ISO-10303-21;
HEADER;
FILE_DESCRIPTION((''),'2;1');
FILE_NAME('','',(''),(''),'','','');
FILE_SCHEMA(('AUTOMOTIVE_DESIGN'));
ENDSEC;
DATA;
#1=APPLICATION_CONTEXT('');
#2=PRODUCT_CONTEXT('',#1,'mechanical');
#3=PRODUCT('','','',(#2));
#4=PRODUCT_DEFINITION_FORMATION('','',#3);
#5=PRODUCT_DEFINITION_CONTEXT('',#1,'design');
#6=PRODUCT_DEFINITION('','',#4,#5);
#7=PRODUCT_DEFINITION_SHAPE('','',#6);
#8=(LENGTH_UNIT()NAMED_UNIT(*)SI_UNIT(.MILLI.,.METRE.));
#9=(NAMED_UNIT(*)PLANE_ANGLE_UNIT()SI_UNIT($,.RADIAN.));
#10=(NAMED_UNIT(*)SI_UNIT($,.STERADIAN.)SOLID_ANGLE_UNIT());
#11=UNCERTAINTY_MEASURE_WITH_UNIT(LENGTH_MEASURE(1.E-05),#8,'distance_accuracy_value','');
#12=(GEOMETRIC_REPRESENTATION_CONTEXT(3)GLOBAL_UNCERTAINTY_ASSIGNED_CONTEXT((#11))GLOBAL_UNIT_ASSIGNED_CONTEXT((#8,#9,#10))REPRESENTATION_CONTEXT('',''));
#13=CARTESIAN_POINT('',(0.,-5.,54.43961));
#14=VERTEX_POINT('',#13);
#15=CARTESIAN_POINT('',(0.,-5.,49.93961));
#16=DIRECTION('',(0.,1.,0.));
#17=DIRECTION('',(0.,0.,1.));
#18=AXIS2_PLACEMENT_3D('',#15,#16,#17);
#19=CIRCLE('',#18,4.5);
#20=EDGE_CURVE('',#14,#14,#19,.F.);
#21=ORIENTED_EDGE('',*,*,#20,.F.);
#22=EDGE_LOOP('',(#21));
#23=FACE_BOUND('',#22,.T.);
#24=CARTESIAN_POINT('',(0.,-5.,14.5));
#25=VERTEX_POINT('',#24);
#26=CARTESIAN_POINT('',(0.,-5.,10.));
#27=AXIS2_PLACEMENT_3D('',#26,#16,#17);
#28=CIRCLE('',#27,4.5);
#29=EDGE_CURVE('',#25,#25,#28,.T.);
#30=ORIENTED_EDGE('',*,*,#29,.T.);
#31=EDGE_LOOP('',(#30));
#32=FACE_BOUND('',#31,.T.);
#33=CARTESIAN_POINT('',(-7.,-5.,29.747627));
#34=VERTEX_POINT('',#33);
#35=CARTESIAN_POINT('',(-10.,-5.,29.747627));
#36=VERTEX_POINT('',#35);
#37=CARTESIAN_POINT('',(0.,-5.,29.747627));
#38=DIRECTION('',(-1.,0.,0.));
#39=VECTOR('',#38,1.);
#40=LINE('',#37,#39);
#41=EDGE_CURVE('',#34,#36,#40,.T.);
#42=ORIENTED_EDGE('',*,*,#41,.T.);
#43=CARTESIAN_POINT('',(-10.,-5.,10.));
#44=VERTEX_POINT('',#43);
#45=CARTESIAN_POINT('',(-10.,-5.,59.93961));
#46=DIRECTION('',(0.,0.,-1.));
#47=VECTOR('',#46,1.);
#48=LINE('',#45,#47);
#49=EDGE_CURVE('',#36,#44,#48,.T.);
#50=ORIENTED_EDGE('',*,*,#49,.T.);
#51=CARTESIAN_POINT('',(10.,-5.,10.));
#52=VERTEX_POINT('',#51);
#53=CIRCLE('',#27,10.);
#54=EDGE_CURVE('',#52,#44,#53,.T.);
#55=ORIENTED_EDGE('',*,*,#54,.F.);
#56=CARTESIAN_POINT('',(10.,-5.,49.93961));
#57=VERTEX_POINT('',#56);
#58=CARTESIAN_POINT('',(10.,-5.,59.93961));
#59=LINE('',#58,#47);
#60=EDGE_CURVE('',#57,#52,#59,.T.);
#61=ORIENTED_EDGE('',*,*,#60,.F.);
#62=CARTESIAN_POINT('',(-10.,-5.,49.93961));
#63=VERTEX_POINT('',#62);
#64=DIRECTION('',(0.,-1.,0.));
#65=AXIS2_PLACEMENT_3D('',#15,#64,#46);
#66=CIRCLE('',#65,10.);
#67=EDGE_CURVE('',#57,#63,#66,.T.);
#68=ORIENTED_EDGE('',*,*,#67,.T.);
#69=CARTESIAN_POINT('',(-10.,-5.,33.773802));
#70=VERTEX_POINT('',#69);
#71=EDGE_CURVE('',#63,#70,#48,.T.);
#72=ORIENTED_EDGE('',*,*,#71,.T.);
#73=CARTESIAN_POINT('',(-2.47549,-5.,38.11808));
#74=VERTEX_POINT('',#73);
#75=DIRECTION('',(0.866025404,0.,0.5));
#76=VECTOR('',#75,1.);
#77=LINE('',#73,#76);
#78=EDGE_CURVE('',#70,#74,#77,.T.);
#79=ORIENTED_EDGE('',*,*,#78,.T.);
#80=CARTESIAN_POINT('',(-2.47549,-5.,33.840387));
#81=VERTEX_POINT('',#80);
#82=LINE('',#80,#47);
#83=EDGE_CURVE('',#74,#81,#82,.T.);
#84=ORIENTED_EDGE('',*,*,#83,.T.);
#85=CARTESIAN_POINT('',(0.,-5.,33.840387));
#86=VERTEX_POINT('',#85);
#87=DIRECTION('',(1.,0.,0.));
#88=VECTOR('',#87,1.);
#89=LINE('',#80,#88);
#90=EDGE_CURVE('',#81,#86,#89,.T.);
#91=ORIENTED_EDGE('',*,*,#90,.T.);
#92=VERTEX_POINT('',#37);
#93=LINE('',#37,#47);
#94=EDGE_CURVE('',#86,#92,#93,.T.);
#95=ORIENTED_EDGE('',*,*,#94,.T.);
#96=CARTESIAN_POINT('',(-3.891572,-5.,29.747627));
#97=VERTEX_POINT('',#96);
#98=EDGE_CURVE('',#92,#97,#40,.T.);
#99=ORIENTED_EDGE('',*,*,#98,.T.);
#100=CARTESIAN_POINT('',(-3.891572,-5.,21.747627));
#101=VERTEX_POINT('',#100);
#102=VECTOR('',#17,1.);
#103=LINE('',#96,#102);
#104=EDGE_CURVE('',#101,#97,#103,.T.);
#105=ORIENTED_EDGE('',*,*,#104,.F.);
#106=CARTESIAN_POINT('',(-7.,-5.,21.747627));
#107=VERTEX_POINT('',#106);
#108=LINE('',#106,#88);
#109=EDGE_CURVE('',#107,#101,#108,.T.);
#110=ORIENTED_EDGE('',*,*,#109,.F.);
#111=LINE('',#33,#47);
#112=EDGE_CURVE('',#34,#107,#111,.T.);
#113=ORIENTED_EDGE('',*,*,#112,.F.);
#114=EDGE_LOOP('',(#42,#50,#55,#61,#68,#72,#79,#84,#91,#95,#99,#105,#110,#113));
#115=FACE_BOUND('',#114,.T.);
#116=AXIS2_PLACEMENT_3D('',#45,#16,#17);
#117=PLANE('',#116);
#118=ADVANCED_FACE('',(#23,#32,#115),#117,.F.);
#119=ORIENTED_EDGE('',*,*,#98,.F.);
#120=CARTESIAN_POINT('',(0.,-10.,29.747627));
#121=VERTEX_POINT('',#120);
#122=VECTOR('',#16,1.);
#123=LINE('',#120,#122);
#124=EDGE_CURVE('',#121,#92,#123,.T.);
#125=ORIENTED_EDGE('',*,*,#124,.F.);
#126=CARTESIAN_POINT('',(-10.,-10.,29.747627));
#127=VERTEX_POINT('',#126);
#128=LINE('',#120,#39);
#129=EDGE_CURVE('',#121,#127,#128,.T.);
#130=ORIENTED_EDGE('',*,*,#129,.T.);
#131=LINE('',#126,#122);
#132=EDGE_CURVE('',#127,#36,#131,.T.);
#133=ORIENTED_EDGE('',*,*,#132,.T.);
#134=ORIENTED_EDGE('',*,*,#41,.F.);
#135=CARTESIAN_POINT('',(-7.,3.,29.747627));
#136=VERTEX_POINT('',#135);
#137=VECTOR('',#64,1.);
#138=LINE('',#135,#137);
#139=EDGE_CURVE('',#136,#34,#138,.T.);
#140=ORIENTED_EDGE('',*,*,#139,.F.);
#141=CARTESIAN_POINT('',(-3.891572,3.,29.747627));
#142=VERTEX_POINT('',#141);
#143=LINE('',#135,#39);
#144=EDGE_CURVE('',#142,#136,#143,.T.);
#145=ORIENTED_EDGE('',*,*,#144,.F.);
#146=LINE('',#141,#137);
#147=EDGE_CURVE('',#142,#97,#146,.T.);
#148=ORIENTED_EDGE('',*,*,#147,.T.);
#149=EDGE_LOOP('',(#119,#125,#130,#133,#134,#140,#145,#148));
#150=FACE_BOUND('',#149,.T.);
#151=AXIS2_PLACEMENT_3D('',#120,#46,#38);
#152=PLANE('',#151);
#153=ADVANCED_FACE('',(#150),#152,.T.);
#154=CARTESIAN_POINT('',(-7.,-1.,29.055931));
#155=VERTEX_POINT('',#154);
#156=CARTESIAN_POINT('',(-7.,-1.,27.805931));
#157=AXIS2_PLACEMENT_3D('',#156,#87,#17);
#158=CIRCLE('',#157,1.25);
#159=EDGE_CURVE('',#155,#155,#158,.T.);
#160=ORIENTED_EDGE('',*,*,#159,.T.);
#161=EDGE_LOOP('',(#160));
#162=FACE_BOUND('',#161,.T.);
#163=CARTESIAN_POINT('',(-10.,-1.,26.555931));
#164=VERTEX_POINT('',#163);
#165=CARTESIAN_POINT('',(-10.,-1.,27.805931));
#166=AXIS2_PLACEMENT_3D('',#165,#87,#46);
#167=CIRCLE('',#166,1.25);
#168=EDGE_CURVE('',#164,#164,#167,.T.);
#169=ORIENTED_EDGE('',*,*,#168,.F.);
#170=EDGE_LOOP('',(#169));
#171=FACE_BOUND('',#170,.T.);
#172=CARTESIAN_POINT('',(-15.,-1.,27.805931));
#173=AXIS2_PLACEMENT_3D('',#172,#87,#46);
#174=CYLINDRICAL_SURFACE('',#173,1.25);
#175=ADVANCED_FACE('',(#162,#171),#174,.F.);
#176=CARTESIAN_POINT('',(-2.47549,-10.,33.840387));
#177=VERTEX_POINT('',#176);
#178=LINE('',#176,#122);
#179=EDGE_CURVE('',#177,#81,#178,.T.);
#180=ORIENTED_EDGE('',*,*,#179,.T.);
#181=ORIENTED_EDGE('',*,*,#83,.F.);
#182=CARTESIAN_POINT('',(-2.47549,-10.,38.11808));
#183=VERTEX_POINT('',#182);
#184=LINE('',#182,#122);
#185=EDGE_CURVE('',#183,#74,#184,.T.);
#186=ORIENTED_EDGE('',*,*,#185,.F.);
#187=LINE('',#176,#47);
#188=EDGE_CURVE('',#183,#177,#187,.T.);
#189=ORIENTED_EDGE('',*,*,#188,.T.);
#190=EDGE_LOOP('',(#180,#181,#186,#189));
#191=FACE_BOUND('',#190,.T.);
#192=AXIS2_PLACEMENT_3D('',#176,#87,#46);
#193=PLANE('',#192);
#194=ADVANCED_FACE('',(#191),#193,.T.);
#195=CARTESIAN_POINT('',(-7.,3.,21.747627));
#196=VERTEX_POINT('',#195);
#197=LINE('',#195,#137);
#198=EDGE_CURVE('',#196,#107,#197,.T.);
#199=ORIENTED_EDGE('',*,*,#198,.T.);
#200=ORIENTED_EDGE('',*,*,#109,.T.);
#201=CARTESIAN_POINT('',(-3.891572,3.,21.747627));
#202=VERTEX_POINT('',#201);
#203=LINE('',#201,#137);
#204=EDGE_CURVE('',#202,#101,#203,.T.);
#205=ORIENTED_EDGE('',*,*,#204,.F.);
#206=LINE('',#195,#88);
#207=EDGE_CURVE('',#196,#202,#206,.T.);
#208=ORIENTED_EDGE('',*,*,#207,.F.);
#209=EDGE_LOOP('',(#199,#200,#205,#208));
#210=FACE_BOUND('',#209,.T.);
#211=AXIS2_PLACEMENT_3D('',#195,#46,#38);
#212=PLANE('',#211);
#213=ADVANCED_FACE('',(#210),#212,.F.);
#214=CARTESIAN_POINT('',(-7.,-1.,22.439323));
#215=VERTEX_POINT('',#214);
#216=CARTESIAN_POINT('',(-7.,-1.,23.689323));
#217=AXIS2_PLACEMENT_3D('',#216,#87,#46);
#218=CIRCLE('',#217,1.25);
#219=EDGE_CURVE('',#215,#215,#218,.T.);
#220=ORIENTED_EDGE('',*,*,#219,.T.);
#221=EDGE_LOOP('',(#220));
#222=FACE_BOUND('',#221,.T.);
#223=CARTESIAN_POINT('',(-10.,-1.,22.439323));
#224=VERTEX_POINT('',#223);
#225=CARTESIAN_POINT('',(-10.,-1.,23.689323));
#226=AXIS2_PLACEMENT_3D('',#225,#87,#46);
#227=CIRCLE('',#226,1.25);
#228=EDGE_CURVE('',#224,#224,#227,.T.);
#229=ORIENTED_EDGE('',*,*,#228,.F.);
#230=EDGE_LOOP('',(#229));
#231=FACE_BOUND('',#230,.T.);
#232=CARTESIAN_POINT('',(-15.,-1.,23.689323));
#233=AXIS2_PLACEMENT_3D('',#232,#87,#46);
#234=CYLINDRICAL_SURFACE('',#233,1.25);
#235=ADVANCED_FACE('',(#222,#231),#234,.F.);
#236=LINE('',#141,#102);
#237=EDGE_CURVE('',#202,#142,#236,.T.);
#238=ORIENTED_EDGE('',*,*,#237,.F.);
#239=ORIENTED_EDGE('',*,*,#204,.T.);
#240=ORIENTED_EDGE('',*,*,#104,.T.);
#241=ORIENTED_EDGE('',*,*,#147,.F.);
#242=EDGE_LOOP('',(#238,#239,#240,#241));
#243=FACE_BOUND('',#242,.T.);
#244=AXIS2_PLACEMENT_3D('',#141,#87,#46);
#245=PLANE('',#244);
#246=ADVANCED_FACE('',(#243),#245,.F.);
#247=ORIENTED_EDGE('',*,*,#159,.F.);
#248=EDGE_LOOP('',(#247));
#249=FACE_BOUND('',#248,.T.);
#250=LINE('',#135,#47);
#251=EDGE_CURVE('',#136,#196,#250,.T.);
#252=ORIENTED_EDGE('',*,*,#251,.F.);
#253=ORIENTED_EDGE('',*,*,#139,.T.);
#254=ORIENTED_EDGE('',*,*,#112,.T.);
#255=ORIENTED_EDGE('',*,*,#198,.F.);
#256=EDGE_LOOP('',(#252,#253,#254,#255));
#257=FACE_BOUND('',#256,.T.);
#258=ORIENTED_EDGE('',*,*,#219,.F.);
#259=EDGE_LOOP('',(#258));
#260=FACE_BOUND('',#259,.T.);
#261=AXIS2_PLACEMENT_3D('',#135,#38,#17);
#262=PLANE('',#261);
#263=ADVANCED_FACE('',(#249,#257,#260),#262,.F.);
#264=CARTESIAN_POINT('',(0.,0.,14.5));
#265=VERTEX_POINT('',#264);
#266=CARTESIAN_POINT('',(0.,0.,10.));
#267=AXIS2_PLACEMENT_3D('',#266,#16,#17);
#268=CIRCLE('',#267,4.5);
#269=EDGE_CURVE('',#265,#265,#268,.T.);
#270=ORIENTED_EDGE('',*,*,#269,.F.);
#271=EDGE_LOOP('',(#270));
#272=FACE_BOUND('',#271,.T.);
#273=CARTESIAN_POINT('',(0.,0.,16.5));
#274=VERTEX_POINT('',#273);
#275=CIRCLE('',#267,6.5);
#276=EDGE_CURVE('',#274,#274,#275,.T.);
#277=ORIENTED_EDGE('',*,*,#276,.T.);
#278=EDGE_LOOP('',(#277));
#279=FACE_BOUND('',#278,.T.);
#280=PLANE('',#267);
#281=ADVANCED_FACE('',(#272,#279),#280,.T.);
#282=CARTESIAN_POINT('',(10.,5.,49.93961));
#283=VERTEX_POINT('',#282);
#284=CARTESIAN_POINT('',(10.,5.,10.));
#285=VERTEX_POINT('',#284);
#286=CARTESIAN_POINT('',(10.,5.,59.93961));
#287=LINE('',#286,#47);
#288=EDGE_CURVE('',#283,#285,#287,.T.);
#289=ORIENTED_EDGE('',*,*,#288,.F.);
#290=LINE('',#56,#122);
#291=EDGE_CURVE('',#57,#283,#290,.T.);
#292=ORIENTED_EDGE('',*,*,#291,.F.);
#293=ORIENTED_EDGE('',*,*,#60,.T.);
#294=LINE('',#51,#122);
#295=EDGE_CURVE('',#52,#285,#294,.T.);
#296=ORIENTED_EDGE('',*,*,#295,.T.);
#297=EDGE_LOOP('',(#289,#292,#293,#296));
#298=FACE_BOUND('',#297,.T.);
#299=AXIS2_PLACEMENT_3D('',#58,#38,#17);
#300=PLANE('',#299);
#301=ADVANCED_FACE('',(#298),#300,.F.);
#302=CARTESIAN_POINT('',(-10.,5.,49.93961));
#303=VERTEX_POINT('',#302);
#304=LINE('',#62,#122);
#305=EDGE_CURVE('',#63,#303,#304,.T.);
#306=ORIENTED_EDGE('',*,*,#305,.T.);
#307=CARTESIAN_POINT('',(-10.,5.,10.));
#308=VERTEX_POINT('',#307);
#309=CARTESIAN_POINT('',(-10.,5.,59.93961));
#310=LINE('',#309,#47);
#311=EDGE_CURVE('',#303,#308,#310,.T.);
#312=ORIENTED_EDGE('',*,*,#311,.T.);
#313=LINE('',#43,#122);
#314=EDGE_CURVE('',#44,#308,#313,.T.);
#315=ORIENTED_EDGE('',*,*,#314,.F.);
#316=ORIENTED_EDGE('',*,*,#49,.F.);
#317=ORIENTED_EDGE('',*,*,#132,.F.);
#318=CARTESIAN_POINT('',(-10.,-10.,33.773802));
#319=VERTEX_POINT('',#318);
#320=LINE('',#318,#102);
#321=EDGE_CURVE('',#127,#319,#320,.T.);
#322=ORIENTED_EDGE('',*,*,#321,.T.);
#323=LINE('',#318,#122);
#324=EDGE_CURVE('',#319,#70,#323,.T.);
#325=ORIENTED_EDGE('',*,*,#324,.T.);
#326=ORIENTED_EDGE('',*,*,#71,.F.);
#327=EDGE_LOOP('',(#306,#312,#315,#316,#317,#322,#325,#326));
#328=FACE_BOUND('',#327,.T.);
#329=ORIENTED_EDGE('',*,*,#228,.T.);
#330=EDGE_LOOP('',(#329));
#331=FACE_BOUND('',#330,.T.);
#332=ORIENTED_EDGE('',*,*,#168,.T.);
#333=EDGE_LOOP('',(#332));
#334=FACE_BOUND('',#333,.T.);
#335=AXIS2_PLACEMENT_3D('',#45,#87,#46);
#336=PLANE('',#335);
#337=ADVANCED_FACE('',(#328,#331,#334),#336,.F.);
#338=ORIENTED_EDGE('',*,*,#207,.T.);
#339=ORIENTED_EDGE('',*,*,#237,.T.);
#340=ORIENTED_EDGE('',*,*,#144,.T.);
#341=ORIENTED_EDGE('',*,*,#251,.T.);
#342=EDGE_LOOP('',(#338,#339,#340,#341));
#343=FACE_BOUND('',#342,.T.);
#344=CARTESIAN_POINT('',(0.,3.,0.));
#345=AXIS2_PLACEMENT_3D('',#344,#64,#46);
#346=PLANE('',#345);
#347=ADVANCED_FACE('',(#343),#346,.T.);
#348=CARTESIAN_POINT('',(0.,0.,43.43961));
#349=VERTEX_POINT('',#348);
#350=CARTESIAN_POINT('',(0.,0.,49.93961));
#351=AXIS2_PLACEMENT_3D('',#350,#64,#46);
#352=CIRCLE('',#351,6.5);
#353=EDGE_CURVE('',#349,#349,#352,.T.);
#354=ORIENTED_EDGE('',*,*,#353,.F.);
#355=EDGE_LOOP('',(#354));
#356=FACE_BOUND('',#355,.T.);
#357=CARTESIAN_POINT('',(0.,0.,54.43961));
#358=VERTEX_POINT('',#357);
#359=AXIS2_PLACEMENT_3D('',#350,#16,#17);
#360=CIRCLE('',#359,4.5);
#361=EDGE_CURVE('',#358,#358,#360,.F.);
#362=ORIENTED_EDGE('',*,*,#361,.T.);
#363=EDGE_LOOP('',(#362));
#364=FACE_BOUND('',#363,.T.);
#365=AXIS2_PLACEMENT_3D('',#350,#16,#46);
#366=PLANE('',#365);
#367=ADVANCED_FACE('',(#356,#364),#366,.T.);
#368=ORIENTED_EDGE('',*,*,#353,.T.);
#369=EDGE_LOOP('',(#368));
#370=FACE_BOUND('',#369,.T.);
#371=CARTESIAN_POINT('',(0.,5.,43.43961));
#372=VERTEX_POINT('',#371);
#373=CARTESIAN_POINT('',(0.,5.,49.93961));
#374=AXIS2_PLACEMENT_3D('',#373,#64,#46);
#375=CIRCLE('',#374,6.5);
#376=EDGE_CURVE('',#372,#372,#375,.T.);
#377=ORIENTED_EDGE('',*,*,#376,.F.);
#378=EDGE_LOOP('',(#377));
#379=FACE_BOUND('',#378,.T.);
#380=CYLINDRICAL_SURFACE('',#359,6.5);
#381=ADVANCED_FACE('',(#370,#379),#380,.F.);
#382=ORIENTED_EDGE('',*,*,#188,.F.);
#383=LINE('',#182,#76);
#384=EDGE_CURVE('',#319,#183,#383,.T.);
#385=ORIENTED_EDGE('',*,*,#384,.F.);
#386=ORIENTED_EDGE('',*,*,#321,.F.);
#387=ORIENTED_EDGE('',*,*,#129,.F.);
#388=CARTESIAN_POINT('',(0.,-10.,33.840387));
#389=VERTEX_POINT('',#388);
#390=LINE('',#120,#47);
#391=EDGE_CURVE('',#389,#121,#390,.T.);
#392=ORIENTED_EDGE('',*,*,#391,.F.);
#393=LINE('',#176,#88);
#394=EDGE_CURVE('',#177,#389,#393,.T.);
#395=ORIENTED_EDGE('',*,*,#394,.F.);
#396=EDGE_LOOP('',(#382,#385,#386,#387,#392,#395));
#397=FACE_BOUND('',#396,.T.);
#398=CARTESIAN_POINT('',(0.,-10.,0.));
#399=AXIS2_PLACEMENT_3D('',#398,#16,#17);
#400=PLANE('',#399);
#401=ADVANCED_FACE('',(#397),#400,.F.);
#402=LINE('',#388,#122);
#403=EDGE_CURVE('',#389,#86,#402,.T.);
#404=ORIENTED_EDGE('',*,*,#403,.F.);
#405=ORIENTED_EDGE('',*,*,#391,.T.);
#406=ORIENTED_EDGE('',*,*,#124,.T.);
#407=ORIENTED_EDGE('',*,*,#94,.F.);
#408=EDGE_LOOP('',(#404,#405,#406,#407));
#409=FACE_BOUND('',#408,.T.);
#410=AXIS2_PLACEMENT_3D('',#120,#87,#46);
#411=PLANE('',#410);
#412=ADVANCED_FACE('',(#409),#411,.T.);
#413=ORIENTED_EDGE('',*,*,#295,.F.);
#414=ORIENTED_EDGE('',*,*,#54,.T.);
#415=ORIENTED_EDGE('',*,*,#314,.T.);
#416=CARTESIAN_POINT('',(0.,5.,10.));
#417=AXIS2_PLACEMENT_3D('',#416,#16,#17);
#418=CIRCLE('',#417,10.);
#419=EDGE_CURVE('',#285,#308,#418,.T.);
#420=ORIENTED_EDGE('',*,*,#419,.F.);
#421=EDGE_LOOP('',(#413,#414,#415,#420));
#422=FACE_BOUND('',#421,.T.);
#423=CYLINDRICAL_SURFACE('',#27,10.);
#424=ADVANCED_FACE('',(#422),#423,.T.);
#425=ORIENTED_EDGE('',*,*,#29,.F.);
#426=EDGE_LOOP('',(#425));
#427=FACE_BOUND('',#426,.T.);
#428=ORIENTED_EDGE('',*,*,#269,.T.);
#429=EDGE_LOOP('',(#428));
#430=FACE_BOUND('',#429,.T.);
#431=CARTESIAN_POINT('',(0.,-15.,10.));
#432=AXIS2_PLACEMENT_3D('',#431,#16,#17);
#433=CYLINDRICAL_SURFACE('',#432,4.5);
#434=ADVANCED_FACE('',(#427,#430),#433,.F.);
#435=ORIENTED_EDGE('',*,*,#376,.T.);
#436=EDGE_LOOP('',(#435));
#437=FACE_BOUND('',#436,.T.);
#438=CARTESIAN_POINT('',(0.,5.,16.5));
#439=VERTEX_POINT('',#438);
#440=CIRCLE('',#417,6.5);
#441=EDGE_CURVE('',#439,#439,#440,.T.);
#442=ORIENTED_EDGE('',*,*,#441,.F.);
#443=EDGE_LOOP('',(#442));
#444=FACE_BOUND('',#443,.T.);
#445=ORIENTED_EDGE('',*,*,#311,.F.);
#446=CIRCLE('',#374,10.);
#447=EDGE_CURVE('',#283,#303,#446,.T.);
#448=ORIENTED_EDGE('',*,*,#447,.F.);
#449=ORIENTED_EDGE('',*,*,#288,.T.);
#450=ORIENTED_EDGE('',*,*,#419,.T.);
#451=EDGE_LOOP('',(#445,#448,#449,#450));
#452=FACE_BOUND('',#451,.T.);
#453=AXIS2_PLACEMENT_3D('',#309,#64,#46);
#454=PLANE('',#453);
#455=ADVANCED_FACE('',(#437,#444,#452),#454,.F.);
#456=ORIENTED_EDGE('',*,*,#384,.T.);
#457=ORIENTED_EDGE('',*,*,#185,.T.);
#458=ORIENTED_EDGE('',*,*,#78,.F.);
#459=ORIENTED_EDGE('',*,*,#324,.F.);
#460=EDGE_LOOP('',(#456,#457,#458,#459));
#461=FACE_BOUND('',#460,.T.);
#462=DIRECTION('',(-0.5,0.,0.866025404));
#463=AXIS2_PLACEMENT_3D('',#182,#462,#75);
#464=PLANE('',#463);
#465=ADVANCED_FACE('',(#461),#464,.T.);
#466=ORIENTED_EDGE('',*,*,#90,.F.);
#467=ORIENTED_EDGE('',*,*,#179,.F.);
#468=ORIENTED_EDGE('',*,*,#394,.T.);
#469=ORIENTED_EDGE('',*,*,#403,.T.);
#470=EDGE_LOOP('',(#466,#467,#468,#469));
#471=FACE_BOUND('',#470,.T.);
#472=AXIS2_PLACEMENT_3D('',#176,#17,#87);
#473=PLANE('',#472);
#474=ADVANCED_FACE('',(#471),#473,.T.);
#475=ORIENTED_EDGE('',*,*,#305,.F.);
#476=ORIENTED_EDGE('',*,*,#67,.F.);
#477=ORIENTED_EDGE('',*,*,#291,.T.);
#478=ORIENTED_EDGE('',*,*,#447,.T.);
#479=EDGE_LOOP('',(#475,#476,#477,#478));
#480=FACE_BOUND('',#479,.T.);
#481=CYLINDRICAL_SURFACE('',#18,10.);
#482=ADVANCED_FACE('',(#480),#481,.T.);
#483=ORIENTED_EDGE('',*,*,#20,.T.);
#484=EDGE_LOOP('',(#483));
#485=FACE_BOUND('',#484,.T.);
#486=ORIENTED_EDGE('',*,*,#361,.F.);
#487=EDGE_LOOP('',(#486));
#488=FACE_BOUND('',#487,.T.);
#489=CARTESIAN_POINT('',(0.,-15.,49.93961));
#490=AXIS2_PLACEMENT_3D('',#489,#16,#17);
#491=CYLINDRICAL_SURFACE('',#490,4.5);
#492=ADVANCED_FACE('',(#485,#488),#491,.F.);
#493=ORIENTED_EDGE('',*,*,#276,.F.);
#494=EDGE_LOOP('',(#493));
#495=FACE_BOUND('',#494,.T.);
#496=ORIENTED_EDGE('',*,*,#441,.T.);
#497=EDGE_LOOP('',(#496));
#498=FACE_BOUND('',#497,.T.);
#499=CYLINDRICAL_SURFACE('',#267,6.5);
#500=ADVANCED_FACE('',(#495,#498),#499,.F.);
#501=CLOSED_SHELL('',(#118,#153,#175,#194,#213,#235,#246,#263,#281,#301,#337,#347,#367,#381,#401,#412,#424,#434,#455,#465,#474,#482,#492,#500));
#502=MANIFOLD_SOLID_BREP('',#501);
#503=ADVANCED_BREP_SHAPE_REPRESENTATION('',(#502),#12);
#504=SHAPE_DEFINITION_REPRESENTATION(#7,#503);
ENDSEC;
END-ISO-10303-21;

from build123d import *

# Parameters (mm, degrees)
SKETCH_1_W          = 20
SKETCH_1_H          = 10
EXTRUDE_1_DEPTH     = 59.939609738
SKETCH_2_R          = 6.5
CUT_EXTRUDE_1_DEPTH = 5
SKETCH_3_R          = 4.5
CUT_EXTRUDE_2_DEPTH = 20
CUT_EXTRUDE_3_DEPTH = 10
EXTRUDE_2_DEPTH     = 5
SKETCH_5_W          = 3.108428341
SKETCH_5_H          = 8
CUT_EXTRUDE_4_DEPTH = 8
SKETCH_7_R          = 1.25
CUT_EXTRUDE_5_DEPTH = 8


with BuildPart() as part:
    # 스케치1 → 보스-돌출1 (new body)
    with BuildSketch(Plane.XY):
        Rectangle(SKETCH_1_W, SKETCH_1_H)
    extrude(amount=EXTRUDE_1_DEPTH)

    # 스케치2 → 컷-돌출1 (cut)
    with BuildSketch(Plane(origin=(0, 5, 0), x_dir=(1, 0, 0), z_dir=(0, 1, 0))):
        with Locations((0, -10)):
            Circle(SKETCH_2_R)
    cut_extrude_1 = extrude(amount=-CUT_EXTRUDE_1_DEPTH, mode=Mode.SUBTRACT)

    # 스케치3 → 컷-돌출2 (cut)
    with BuildSketch(Plane(origin=(0, 5, 0), x_dir=(1, 0, 0), z_dir=(0, 1, 0))):
        with Locations((0, -10)):
            Circle(SKETCH_3_R)
    cut_extrude_2 = extrude(amount=-CUT_EXTRUDE_2_DEPTH, mode=Mode.SUBTRACT)

    # 스케치3<4> → 컷-돌출3 (cut)
    with BuildSketch(Plane(origin=(0, 5, 0), x_dir=(1, 0, 0), z_dir=(0, 1, 0))):
        with BuildLine():
            Line((-10, 0), (-10, -10))
            ThreePointArc((-10, -10), (-7.071067806, -2.928932182), (1.6e-08, 0))
            Line((1.6e-08, 0), (-10, 0))
        make_face()
        with BuildLine():
            Line((10, 0), (1.6e-08, 0))
            ThreePointArc((1.6e-08, 0), (7.071067818, -2.928932194), (10, -10))
            Line((10, -10), (10, 0))
        make_face()
    cut_extrude_3 = extrude(amount=-CUT_EXTRUDE_3_DEPTH, mode=Mode.SUBTRACT)

    # 대칭 복사1: 컷-돌출1, 컷-돌출2, 컷-돌출3 across plane
    add(cut_extrude_1.mirror(Plane.XY.offset(29.969804869)), mode=Mode.SUBTRACT)
    add(cut_extrude_2.mirror(Plane.XY.offset(29.969804869)), mode=Mode.SUBTRACT)
    add(cut_extrude_3.mirror(Plane.XY.offset(29.969804869)), mode=Mode.SUBTRACT)

    # 스케치4 → 보스-돌출2 (add)
    with BuildSketch(Plane(origin=(0, -5, 0), x_dir=(1, 0, 0), z_dir=(0, 1, 0))):
        Polygon((-2.475489913, -38.118080125), (-10, -33.773802201), (-10, -29.747626971), (0, -29.747626971), (0, -33.840387137), (-2.475489913, -33.840387137), align=None)
    extrude(amount=-EXTRUDE_2_DEPTH)

    # 스케치5 → 컷-돌출4 (cut)
    with BuildSketch(Plane.XZ.offset(5)):
        with Locations((-5.44578583, 25.747626971)):
            Rectangle(SKETCH_5_W, SKETCH_5_H)
    extrude(amount=-CUT_EXTRUDE_4_DEPTH, mode=Mode.SUBTRACT)

    # 스케치7 → 컷-돌출5 (cut)
    with BuildSketch(Plane(origin=(-7, 0, 0), x_dir=(0, 0, -1), z_dir=(1, 0, 0))):
        with Locations((-23.689322855, -1)):
            Circle(SKETCH_7_R)
        with Locations((-27.805931086, -1)):
            Circle(SKETCH_7_R)
    extrude(amount=-CUT_EXTRUDE_5_DEPTH, mode=Mode.SUBTRACT)


solid = part.part
